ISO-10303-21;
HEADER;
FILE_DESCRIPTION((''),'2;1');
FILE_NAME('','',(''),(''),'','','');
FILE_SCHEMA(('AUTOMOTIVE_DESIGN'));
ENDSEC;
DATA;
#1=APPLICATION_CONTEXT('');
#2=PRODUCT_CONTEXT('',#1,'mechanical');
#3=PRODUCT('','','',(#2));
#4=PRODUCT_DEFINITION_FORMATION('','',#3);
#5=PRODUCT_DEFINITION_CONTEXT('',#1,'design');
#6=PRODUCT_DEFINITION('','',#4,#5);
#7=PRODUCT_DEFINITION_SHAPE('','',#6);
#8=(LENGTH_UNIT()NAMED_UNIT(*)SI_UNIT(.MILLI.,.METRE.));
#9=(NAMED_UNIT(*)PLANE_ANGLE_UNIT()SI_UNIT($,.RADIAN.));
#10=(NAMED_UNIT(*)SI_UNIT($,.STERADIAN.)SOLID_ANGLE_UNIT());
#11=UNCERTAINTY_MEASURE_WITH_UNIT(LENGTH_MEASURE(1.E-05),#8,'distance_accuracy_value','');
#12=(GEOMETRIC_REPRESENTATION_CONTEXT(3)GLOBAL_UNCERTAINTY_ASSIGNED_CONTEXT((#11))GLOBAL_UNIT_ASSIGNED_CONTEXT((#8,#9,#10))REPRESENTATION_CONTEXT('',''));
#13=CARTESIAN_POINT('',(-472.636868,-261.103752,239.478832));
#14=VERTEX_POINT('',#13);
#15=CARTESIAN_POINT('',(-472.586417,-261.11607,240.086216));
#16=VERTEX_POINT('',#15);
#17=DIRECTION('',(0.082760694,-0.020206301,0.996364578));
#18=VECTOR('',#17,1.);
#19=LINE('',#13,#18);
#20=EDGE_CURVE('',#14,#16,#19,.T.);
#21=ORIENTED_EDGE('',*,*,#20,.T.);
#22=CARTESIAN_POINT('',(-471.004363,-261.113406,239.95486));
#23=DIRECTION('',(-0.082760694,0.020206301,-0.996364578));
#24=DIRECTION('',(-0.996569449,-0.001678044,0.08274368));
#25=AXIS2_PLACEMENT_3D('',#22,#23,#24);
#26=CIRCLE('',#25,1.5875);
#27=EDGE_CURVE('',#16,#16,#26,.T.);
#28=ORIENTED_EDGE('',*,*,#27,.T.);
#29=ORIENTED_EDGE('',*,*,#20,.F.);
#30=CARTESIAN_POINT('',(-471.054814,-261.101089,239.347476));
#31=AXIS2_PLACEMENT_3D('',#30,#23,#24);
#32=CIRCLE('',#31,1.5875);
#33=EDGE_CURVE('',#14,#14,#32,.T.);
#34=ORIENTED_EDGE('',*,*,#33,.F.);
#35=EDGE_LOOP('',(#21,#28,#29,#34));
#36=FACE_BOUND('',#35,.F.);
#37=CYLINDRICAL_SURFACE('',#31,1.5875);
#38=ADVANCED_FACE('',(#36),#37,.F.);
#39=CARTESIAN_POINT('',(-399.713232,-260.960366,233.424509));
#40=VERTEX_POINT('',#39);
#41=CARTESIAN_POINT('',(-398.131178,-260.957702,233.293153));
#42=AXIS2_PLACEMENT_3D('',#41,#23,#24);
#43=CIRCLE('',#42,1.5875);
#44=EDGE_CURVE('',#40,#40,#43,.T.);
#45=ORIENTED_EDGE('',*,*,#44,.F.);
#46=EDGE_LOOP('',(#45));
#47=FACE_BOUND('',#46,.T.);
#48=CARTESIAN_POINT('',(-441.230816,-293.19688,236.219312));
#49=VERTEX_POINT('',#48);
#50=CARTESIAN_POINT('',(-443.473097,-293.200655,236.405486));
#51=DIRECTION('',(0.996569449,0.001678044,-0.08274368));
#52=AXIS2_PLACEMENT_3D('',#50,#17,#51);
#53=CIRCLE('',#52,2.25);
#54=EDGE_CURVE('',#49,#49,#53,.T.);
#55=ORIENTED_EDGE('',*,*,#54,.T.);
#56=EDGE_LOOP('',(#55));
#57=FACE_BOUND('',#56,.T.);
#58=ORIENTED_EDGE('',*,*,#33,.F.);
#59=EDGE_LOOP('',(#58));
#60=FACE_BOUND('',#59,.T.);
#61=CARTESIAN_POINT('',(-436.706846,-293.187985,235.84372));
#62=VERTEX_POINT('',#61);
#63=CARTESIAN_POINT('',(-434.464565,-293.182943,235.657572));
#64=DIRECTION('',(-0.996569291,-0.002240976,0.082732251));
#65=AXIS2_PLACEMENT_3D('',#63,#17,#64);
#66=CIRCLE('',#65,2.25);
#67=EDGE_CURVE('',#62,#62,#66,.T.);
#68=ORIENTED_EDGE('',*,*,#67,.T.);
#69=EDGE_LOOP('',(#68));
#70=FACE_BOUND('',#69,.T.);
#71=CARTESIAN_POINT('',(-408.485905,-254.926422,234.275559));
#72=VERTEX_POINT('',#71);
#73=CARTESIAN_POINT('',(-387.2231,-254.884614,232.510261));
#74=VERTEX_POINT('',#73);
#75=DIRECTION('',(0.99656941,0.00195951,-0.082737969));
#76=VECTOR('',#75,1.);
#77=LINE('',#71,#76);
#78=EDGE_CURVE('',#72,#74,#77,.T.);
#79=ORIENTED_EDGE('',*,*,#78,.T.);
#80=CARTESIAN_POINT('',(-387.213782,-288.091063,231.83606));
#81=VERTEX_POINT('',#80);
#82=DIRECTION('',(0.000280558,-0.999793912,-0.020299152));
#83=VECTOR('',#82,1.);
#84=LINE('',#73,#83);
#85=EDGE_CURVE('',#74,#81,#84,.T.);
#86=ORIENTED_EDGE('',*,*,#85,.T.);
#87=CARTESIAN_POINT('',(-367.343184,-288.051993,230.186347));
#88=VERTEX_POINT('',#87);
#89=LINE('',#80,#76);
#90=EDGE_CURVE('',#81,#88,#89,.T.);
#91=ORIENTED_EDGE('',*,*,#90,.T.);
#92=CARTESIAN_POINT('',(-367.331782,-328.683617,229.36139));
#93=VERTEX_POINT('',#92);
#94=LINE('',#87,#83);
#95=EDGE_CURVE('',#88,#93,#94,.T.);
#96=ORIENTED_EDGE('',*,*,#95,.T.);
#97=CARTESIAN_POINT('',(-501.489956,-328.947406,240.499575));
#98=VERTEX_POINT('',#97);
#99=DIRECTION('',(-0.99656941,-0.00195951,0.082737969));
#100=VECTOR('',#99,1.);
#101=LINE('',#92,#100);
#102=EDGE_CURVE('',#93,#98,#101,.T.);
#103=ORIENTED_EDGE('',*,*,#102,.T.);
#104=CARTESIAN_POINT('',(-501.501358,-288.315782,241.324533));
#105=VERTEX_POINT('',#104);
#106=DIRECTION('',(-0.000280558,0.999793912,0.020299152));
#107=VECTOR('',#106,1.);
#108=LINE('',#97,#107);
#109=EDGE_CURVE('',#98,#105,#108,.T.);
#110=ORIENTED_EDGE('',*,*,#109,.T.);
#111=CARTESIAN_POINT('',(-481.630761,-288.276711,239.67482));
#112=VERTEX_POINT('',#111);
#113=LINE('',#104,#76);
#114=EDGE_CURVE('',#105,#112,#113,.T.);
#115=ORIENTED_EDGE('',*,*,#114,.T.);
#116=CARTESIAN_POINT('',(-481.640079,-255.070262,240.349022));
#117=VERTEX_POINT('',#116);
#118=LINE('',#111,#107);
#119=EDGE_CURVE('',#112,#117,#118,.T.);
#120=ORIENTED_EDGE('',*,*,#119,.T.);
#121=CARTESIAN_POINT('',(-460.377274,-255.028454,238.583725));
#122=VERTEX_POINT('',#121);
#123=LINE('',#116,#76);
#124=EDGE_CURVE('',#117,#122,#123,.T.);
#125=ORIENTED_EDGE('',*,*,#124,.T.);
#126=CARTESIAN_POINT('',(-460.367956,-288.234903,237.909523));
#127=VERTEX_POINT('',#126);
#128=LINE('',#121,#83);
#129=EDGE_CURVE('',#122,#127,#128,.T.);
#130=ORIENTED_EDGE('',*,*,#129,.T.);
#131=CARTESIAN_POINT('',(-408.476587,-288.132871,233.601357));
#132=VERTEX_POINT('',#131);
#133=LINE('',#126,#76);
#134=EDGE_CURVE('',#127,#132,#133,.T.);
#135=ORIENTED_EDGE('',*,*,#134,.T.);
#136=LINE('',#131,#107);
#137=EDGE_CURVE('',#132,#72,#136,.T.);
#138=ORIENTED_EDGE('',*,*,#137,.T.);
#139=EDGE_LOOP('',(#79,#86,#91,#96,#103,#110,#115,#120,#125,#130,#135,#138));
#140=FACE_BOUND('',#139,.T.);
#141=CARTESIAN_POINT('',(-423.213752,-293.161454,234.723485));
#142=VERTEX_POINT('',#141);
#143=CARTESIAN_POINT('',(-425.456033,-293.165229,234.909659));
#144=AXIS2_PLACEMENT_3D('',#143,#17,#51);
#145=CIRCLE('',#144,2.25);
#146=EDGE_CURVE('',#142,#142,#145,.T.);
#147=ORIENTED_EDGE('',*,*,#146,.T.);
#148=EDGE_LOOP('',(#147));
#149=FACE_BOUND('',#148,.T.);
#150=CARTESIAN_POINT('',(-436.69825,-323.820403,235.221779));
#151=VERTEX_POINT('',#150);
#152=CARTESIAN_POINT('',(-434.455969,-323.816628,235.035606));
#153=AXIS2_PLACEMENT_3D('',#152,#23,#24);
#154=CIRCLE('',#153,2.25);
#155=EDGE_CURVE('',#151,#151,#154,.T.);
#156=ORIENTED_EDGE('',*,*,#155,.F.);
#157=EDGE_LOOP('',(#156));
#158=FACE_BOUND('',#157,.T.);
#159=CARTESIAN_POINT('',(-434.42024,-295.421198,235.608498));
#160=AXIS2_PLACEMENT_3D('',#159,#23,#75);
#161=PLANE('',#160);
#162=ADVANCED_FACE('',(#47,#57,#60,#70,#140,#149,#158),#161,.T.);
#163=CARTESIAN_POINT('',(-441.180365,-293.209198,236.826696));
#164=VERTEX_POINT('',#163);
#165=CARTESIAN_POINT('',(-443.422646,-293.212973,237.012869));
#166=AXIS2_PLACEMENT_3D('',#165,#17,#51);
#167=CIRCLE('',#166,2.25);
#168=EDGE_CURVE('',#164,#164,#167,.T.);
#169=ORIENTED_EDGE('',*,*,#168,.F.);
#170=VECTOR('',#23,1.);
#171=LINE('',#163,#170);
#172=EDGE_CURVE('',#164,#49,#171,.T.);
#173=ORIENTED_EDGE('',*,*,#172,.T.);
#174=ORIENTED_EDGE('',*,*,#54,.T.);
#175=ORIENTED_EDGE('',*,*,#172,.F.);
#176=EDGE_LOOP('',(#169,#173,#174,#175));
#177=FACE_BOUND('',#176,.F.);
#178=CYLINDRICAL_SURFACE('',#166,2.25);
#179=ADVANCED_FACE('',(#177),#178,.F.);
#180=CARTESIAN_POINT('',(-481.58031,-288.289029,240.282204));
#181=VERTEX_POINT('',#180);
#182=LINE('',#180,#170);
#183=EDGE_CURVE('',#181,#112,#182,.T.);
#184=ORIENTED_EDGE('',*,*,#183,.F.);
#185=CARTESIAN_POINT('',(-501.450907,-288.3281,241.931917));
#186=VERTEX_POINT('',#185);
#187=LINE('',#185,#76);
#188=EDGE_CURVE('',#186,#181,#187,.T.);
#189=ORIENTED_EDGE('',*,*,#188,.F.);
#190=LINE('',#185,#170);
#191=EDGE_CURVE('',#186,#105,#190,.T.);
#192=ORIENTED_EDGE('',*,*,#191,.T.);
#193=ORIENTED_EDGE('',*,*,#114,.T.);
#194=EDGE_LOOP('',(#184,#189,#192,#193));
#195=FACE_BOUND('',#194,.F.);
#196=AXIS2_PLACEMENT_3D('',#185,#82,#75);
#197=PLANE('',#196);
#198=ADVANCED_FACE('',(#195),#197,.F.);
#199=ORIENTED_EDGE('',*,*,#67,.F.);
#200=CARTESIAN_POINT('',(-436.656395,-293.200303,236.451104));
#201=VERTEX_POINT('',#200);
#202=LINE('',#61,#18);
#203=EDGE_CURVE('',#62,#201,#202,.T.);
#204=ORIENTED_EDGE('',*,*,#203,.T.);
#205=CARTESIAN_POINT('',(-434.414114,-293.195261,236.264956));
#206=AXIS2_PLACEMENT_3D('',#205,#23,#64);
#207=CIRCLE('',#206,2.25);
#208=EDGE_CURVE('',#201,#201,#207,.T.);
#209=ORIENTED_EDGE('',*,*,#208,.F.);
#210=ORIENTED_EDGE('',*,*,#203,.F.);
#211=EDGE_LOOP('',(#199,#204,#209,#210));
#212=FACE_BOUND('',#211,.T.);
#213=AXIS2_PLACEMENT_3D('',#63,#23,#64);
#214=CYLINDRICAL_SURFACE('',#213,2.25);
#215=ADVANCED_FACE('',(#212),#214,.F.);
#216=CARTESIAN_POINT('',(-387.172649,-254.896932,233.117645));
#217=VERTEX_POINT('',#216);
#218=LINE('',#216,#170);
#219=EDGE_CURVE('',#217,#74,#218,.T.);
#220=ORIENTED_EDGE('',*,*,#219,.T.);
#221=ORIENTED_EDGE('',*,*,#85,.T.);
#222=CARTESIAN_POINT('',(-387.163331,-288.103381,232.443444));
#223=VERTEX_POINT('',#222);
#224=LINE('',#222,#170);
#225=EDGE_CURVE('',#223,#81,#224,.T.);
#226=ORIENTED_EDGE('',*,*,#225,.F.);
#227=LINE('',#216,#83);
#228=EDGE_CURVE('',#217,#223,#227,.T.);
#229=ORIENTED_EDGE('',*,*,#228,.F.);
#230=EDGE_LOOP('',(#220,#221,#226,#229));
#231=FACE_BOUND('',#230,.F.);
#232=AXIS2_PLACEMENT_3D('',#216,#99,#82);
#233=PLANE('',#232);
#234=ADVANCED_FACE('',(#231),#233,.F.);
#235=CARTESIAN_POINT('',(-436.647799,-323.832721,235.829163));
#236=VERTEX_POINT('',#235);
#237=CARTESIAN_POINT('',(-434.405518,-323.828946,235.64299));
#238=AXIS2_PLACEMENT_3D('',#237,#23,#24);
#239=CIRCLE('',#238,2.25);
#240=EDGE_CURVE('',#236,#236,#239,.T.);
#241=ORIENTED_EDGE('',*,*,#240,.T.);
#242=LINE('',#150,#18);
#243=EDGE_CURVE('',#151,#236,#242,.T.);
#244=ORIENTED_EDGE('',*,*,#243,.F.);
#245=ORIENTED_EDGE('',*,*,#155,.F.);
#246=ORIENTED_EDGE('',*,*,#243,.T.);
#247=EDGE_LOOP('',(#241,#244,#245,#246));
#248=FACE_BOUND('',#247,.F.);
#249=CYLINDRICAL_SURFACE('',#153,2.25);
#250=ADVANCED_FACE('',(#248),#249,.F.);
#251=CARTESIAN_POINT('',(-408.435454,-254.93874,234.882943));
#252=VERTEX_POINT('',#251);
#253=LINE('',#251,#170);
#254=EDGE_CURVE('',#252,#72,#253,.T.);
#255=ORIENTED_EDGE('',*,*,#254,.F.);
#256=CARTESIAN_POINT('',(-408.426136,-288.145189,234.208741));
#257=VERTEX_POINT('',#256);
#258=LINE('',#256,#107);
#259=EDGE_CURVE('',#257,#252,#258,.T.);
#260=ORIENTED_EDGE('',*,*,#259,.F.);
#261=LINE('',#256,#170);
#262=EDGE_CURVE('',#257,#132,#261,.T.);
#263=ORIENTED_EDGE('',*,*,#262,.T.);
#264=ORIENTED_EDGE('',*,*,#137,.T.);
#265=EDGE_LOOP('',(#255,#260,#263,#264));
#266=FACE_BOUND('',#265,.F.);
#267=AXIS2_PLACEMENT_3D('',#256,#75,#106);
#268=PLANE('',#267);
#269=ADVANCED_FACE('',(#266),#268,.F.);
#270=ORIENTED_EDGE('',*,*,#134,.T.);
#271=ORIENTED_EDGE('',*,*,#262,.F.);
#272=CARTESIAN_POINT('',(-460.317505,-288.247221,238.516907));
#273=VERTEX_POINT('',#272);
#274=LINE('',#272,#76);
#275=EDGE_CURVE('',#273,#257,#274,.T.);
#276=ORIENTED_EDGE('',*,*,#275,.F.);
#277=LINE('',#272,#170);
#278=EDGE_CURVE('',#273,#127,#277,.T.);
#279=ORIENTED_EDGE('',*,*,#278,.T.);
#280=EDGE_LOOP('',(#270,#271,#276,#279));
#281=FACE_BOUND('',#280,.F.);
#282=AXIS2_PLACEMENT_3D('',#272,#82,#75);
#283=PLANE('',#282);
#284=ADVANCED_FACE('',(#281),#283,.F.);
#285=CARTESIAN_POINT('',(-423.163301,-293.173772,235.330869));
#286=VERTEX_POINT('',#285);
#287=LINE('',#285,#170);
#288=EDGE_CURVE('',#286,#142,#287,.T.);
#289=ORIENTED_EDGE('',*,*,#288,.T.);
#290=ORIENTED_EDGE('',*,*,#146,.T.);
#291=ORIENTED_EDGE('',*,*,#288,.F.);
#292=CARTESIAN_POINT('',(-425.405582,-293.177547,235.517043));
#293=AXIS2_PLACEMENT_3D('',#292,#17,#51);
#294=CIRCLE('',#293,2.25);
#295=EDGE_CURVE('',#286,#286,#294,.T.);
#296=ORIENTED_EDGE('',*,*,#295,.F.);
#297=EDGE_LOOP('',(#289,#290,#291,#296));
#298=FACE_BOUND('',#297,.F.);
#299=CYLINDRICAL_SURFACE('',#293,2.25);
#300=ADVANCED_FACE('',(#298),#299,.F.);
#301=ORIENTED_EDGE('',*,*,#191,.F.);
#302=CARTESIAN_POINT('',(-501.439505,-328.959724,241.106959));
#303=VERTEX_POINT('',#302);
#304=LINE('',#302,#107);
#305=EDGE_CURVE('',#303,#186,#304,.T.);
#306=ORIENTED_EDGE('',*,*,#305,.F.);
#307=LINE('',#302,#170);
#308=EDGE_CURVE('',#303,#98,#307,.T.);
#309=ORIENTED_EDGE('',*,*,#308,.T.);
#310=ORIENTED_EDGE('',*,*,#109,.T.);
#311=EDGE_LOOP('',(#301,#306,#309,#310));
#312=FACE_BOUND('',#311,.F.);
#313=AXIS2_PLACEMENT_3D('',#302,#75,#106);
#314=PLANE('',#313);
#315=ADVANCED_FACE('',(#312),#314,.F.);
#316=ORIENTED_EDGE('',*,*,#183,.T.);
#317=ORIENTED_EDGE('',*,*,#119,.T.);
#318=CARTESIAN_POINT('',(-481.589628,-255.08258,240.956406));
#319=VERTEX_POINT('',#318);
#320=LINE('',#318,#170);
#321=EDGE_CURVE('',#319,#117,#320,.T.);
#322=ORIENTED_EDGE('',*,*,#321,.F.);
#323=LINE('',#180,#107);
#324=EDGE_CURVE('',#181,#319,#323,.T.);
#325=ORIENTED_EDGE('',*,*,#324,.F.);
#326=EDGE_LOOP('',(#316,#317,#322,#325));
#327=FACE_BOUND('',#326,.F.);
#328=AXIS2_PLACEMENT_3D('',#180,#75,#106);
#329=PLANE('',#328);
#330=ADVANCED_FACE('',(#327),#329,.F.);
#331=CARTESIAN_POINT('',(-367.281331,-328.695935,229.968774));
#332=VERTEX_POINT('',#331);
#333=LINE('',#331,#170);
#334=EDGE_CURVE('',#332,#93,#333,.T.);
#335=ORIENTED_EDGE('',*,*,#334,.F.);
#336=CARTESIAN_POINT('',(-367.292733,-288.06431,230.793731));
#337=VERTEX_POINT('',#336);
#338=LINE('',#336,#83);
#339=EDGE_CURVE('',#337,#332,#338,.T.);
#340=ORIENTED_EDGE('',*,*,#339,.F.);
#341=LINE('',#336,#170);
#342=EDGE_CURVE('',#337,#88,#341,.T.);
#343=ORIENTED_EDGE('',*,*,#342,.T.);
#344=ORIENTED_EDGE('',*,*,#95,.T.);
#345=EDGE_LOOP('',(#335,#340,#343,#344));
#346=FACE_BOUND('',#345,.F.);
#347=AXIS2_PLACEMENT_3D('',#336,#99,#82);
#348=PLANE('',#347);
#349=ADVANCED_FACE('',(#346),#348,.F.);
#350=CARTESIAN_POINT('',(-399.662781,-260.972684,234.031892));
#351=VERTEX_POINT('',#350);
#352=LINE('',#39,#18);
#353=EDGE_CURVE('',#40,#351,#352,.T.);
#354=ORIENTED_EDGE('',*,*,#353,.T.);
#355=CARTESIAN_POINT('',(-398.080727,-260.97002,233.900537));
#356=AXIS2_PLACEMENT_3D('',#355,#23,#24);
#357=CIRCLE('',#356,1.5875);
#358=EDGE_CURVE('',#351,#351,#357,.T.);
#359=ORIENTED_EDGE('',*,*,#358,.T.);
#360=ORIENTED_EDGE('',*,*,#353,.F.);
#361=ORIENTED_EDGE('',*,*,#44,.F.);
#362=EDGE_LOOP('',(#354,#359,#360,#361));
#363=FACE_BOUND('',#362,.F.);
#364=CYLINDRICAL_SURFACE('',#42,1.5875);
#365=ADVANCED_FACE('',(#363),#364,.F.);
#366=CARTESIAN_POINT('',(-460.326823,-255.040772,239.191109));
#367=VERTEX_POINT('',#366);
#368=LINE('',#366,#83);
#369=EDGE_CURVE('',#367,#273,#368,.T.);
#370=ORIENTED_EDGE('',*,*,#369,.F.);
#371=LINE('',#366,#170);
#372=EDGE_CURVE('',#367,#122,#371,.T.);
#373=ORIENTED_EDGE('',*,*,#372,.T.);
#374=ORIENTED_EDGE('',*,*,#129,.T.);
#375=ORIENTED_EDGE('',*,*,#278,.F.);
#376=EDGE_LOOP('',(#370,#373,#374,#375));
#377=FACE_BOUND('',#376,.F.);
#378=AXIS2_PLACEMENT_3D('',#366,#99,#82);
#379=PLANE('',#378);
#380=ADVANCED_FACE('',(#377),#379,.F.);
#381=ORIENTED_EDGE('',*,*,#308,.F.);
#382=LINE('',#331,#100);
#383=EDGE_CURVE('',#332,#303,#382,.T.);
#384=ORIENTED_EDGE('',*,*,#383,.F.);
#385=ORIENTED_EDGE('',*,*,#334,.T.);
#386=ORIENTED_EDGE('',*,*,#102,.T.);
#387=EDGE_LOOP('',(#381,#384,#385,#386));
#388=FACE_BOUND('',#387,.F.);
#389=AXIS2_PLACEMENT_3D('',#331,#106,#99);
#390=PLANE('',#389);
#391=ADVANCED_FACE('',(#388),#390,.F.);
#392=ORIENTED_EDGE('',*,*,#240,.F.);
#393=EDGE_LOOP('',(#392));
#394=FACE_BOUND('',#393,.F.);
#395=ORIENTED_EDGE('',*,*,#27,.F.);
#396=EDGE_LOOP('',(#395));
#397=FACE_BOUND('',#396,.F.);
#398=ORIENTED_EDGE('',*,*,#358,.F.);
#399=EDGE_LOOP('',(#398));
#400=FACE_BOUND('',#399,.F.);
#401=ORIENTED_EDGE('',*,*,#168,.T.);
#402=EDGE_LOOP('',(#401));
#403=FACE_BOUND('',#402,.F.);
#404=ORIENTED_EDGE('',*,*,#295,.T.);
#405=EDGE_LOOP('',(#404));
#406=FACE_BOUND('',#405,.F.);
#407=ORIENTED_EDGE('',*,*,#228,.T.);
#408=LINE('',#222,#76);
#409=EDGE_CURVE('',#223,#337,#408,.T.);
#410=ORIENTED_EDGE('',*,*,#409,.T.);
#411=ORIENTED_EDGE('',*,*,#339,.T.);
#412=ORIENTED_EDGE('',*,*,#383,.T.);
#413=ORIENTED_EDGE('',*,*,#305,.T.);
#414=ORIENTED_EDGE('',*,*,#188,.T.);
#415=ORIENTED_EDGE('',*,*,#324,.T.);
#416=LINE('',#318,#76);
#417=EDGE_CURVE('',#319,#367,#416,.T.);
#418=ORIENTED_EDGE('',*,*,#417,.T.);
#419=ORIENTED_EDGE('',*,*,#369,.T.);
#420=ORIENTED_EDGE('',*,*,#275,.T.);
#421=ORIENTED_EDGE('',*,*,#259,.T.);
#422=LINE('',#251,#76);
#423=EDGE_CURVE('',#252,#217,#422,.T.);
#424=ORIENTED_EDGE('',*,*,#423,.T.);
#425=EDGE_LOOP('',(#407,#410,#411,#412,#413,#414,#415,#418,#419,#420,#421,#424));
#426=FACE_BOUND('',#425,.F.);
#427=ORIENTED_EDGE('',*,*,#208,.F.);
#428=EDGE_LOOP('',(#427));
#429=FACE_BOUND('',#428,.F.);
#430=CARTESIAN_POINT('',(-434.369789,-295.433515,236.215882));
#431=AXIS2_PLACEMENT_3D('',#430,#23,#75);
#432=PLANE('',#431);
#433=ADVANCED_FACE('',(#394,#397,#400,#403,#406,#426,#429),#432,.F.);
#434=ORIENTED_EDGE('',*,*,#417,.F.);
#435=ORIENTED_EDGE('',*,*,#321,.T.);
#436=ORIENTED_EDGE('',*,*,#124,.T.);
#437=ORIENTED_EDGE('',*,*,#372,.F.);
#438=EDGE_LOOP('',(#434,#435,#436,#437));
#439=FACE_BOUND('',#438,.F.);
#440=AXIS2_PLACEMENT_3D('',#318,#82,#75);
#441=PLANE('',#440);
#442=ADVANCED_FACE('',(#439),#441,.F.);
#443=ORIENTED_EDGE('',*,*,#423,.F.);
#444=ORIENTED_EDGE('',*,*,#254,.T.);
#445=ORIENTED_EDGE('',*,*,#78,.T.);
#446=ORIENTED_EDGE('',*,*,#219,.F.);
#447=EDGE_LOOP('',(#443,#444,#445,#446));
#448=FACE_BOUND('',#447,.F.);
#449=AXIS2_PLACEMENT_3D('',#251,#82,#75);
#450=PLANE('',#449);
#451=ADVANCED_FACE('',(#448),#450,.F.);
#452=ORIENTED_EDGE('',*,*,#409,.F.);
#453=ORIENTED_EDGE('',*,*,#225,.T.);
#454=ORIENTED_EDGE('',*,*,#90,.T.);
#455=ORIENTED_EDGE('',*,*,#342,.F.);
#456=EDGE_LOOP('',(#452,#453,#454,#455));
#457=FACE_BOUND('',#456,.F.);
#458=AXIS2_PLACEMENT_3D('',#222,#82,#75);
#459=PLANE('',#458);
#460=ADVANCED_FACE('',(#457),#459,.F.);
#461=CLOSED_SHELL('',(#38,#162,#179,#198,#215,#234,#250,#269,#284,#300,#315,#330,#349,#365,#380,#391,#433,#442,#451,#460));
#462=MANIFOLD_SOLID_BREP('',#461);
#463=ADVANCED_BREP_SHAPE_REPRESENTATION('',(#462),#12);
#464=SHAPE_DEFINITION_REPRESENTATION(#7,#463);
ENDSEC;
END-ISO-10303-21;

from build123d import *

# Parameters (mm, degrees)
BOSS_EXTRUDE1_DEPTH = 0.6096
SKETCH5_R           = 2.25
CUT_EXTRUDE2_DEPTH  = 430.420105
SKETCH6_R           = 1.5875
CUT_EXTRUDE5_DEPTH  = 0.6096
SKETCH7_R           = 1.5875
CUT_EXTRUDE6_DEPTH  = 0.6096
SKETCH8_R           = 2.25
CUT_EXTRUDE7_DEPTH  = 2.54


with BuildPart() as part:
    # Sketch1 → Boss-Extrude1 (new body)
    with BuildSketch(Plane(origin=(16.997226787, -4.149929847, 204.631375634), x_dir=(0.99656941, 0.00195951, -0.082737969), z_dir=(-0.082760694, 0.020206301, -0.996364578))):
        Polygon((-405.631572024, 283.216979703), (-385.692572024, 283.216979703), (-385.692572024, 323.856979703), (-405.014358213, 323.856979703), (-432.414358217, 323.856979703), (-445.097076418, 323.856979703), (-465.359895626, 323.856979703), (-479.498480719, 323.856979703), (-500.373572024, 323.856979703), (-520.312572024, 323.856979703), (-520.312572024, 283.216979703), (-500.373572024, 283.216979703), (-500.373572024, 250.003685703), (-479.037572024, 250.003685703), (-479.037572024, 283.216979703), (-426.967572024, 283.216979703), (-426.967572024, 250.003685703), (-405.631572024, 250.003685703), align=None)
    extrude(amount=BOSS_EXTRUDE1_DEPTH)

    # Sketch5 → Cut-Extrude2 (cut)
    with BuildSketch(Plane(origin=(16.946775868, -4.137612086, 204.023991787), x_dir=(-0.996569449, -0.001678044, 0.082743681), z_dir=(-0.082760694, 0.020206301, -0.996364578))):
        with Locations((452.956635294, -318.984510283)):
            Circle(SKETCH5_R)
    cut_extrude2 = extrude(amount=-CUT_EXTRUDE2_DEPTH, mode=Mode.SUBTRACT)

    # Mirror1: Cut-Extrude2 across plane
    add(cut_extrude2.mirror(Plane(origin=(0.085159645, -303.474424262, -6.16154314), x_dir=(5.696e-06, -0.020299151, 0.999793951), z_dir=(0.000280558, -0.999793912, -0.020299152))), mode=Mode.SUBTRACT)

    # Sketch6 → Cut-Extrude5 (cut)
    with BuildSketch(Plane(origin=(16.946775868, -4.137612086, 204.023991787), x_dir=(-0.996569449, -0.001678044, 0.082743681), z_dir=(-0.082760694, 0.020206301, -0.996364578))):
        with Locations((416.50680125, -256.173836565)):
            Circle(SKETCH6_R)
    extrude(amount=-CUT_EXTRUDE5_DEPTH, mode=Mode.SUBTRACT)

    # Sketch7 → Cut-Extrude6 (cut)
    with BuildSketch(Plane(origin=(16.946775868, -4.137612086, 204.023991787), x_dir=(-0.996569449, -0.001678044, 0.082743681), z_dir=(-0.082760694, 0.020206301, -0.996364578))):
        with Locations((489.681466673, -256.194436956)):
            Circle(SKETCH7_R)
    extrude(amount=-CUT_EXTRUDE6_DEPTH, mode=Mode.SUBTRACT)

    # Sketch8 → Cut-Extrude7 (cut)
    with BuildSketch(Plane(origin=(16.997226787, -4.149929847, 204.631375634), x_dir=(0.996569449, 0.001678044, -0.082743681), z_dir=(0.082760694, -0.020206301, 0.996364578))):
        with Locations((-443.925718519, -288.341966658)):
            Circle(SKETCH8_R)
        with Locations((-960.270444462, 120.825542597)):
            Circle(SKETCH8_R)
        with Locations((-462.00480383, -288.347056346)):
            Circle(SKETCH8_R)
    extrude(amount=-CUT_EXTRUDE7_DEPTH, mode=Mode.SUBTRACT)


solid = part.part
